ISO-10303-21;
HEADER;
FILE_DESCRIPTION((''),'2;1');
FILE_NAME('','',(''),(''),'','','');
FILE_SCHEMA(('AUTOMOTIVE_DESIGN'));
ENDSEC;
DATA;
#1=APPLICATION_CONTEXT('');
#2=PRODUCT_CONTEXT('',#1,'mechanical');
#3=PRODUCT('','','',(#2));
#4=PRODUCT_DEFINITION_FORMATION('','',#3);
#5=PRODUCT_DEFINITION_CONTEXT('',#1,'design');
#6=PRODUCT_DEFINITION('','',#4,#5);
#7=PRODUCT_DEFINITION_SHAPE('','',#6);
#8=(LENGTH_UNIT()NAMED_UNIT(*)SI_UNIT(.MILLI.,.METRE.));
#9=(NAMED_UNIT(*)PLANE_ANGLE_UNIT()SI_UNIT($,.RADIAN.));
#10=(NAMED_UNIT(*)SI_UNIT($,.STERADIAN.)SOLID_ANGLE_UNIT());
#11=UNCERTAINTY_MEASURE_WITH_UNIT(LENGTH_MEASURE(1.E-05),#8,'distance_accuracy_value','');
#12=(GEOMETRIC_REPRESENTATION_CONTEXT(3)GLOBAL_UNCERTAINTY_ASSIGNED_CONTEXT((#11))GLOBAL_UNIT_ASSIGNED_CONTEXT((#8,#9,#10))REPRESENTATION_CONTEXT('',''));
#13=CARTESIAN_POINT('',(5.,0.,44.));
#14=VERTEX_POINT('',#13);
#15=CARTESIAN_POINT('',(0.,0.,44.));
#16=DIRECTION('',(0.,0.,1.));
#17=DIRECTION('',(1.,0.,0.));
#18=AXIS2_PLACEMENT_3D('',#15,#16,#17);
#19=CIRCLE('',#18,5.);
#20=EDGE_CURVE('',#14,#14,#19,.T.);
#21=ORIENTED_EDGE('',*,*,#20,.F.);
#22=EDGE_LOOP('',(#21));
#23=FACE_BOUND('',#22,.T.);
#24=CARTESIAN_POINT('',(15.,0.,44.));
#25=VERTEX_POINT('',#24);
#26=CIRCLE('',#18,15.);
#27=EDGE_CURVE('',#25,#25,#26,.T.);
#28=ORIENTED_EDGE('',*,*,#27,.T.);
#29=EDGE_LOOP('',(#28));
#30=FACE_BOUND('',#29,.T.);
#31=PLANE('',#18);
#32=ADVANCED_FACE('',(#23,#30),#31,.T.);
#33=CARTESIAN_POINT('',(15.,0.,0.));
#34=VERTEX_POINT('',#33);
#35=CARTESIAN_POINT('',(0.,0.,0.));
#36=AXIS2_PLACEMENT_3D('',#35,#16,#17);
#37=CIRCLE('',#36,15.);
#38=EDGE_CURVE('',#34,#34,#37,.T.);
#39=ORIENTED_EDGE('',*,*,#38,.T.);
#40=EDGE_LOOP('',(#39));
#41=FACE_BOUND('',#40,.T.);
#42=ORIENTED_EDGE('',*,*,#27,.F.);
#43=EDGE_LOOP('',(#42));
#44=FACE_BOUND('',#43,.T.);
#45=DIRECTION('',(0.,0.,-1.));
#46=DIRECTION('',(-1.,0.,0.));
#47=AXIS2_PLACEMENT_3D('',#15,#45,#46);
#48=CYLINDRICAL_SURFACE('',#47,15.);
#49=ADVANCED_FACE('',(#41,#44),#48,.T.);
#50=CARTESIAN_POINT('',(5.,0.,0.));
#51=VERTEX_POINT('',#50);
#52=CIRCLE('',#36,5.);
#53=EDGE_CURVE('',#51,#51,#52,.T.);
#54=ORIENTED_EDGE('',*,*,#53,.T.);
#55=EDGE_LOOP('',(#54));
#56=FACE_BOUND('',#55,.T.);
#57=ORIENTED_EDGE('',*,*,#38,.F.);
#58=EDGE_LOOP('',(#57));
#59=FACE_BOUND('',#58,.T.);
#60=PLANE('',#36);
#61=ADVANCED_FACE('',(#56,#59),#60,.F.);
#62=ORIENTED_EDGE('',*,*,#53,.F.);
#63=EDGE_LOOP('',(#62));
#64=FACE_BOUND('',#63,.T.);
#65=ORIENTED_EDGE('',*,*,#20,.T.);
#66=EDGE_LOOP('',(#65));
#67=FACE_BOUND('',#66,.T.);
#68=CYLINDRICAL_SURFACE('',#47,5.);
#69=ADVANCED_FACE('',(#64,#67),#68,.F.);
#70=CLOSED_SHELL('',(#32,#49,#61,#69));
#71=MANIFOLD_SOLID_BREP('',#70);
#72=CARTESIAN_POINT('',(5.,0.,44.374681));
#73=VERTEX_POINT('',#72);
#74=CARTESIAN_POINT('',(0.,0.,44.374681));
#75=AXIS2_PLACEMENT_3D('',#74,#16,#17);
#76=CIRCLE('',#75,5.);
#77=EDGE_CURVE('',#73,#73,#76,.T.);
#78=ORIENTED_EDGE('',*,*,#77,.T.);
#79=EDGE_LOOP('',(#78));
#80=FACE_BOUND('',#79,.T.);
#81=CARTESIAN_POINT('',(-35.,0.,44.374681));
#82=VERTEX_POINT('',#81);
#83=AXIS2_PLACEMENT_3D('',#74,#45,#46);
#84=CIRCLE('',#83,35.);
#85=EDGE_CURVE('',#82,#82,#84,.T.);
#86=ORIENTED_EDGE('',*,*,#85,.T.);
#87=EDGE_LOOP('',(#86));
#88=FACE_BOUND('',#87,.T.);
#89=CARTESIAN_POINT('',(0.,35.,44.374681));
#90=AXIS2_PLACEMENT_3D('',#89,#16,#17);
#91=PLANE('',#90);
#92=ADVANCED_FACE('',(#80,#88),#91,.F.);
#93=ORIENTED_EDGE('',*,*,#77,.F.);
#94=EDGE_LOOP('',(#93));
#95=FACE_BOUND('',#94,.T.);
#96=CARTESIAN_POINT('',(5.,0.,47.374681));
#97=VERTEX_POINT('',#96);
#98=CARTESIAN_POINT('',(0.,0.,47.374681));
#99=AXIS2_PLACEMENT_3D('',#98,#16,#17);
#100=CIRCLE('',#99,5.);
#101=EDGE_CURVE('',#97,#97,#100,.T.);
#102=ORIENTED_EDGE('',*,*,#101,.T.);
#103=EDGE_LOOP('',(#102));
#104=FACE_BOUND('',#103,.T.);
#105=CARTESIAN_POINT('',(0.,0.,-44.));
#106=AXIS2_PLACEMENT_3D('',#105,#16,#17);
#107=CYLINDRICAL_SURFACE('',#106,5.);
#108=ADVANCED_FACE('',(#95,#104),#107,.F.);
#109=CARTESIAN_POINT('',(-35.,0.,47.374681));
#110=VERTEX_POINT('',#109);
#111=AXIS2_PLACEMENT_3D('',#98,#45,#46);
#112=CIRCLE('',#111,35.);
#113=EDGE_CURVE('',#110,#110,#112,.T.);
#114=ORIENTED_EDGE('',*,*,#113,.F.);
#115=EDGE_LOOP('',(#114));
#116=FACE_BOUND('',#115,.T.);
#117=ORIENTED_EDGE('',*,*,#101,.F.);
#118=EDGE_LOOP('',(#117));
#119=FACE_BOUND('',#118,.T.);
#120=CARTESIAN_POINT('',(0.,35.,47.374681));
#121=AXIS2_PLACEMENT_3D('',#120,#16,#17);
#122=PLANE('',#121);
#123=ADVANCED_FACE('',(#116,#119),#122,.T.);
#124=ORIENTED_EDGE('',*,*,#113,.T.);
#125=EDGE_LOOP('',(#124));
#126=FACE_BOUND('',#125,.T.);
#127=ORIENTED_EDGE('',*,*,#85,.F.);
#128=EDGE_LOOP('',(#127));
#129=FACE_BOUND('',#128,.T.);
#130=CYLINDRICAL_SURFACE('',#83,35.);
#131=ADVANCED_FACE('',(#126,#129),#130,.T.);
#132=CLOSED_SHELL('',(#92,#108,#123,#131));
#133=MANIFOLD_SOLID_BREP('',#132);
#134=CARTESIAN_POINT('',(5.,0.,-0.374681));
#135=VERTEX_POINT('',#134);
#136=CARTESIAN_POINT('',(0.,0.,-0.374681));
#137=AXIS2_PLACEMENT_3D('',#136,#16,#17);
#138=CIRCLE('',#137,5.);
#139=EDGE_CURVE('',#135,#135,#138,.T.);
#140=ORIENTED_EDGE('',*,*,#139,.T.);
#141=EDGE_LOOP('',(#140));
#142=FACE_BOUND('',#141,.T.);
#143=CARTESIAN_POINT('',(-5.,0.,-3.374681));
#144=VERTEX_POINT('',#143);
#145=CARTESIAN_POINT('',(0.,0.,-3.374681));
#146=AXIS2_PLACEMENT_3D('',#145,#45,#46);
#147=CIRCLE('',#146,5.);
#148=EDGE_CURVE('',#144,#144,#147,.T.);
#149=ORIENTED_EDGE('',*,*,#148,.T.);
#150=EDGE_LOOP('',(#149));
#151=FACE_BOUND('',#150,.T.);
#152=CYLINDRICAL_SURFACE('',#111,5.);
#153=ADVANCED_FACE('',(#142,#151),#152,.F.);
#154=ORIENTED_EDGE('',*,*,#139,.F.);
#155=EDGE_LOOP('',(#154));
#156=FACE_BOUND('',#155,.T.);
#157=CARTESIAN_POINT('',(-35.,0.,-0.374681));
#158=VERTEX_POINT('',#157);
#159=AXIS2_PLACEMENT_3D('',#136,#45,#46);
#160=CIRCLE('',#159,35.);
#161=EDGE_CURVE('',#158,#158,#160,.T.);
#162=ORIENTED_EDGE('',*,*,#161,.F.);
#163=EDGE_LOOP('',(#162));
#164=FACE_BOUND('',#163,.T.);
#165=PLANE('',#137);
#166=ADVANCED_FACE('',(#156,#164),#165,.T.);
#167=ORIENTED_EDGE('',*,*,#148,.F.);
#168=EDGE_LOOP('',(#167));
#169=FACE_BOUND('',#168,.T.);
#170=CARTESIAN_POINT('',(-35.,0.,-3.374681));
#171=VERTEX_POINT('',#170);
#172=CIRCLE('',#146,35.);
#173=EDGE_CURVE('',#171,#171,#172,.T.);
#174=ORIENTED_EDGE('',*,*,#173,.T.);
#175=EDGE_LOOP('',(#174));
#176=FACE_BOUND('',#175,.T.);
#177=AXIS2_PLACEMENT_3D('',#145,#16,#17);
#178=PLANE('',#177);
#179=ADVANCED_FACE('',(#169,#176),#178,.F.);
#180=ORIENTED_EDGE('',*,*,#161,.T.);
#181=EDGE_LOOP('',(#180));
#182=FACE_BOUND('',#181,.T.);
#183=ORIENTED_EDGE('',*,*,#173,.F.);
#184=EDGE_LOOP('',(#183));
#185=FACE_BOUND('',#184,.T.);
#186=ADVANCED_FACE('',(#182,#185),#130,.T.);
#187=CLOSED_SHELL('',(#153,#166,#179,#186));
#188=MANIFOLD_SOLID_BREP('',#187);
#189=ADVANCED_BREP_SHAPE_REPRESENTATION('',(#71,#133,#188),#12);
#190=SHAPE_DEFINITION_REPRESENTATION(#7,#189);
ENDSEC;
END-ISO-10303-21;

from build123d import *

# Parameters (mm, degrees)
ESQUISSE1_R                  = 15
ESQUISSE1_R_2                = 5
BOSS_EXTRU_1_DEPTH           = 44
ESQUISSE2_W                  = 3
ESQUISSE2_H                  = 35
ENL_V_MAT_EXTRU_2_DEPTH      = 64
ENL_V_MAT_EXTRU_2_DEPTH_BACK = 0.374681
ESQUISSE3_R                  = 5
ESQUISSE5_R                  = 5
ENL_V_MAT_EXTRU_3_DEPTH      = 71.890745446


with BuildPart() as part:
    # Esquisse1 → Boss.-Extru.1 (new body)
    with BuildSketch(Plane.XY):
        Circle(ESQUISSE1_R)
        Circle(ESQUISSE1_R_2, mode=Mode.SUBTRACT)
    extrude(amount=BOSS_EXTRU_1_DEPTH)


with BuildPart() as body_2:
    # Esquisse2 → Révolution3 (revolve)
    with BuildSketch(Plane(origin=(0, 0, 0), x_dir=(0, 0, -1), z_dir=(1, 0, 0)), mode=Mode.PRIVATE) as r_volution3_sk:
        with Locations((1.874681229, 17.5)):
            Rectangle(ESQUISSE2_W, ESQUISSE2_H)
        with Locations((-45.874681229, 17.5)):
            Rectangle(ESQUISSE2_W, ESQUISSE2_H)
    revolve(r_volution3_sk.sketch.rotate(Axis((0, 0, 44.374681229), (0, 0, 1)), 90), axis=Axis((0, 0, 44.374681229), (0, 0, 1)))

    # Esquisse3 → Enlèv. mat.-Extru.2 (cut, two sides: drawn at the far end of the back side and taken through both)
    with BuildSketch(Plane.XY.offset(-ENL_V_MAT_EXTRU_2_DEPTH_BACK)):
        Circle(ESQUISSE3_R)
    extrude(amount=ENL_V_MAT_EXTRU_2_DEPTH + ENL_V_MAT_EXTRU_2_DEPTH_BACK, mode=Mode.SUBTRACT)

    # Esquisse5 → Enlèv. mat.-Extru.3 (cut, through all)
    with BuildSketch(Plane(origin=(0, 0, -3.374681229), x_dir=(-1, 0, 0), z_dir=(0, 0, -1))):
        with Locations(Location((0, 0, 0), (0, 0, 180))):
            Circle(ESQUISSE5_R)
    extrude(amount=-ENL_V_MAT_EXTRU_3_DEPTH, mode=Mode.SUBTRACT)


solid = Compound([part.part, body_2.part])
